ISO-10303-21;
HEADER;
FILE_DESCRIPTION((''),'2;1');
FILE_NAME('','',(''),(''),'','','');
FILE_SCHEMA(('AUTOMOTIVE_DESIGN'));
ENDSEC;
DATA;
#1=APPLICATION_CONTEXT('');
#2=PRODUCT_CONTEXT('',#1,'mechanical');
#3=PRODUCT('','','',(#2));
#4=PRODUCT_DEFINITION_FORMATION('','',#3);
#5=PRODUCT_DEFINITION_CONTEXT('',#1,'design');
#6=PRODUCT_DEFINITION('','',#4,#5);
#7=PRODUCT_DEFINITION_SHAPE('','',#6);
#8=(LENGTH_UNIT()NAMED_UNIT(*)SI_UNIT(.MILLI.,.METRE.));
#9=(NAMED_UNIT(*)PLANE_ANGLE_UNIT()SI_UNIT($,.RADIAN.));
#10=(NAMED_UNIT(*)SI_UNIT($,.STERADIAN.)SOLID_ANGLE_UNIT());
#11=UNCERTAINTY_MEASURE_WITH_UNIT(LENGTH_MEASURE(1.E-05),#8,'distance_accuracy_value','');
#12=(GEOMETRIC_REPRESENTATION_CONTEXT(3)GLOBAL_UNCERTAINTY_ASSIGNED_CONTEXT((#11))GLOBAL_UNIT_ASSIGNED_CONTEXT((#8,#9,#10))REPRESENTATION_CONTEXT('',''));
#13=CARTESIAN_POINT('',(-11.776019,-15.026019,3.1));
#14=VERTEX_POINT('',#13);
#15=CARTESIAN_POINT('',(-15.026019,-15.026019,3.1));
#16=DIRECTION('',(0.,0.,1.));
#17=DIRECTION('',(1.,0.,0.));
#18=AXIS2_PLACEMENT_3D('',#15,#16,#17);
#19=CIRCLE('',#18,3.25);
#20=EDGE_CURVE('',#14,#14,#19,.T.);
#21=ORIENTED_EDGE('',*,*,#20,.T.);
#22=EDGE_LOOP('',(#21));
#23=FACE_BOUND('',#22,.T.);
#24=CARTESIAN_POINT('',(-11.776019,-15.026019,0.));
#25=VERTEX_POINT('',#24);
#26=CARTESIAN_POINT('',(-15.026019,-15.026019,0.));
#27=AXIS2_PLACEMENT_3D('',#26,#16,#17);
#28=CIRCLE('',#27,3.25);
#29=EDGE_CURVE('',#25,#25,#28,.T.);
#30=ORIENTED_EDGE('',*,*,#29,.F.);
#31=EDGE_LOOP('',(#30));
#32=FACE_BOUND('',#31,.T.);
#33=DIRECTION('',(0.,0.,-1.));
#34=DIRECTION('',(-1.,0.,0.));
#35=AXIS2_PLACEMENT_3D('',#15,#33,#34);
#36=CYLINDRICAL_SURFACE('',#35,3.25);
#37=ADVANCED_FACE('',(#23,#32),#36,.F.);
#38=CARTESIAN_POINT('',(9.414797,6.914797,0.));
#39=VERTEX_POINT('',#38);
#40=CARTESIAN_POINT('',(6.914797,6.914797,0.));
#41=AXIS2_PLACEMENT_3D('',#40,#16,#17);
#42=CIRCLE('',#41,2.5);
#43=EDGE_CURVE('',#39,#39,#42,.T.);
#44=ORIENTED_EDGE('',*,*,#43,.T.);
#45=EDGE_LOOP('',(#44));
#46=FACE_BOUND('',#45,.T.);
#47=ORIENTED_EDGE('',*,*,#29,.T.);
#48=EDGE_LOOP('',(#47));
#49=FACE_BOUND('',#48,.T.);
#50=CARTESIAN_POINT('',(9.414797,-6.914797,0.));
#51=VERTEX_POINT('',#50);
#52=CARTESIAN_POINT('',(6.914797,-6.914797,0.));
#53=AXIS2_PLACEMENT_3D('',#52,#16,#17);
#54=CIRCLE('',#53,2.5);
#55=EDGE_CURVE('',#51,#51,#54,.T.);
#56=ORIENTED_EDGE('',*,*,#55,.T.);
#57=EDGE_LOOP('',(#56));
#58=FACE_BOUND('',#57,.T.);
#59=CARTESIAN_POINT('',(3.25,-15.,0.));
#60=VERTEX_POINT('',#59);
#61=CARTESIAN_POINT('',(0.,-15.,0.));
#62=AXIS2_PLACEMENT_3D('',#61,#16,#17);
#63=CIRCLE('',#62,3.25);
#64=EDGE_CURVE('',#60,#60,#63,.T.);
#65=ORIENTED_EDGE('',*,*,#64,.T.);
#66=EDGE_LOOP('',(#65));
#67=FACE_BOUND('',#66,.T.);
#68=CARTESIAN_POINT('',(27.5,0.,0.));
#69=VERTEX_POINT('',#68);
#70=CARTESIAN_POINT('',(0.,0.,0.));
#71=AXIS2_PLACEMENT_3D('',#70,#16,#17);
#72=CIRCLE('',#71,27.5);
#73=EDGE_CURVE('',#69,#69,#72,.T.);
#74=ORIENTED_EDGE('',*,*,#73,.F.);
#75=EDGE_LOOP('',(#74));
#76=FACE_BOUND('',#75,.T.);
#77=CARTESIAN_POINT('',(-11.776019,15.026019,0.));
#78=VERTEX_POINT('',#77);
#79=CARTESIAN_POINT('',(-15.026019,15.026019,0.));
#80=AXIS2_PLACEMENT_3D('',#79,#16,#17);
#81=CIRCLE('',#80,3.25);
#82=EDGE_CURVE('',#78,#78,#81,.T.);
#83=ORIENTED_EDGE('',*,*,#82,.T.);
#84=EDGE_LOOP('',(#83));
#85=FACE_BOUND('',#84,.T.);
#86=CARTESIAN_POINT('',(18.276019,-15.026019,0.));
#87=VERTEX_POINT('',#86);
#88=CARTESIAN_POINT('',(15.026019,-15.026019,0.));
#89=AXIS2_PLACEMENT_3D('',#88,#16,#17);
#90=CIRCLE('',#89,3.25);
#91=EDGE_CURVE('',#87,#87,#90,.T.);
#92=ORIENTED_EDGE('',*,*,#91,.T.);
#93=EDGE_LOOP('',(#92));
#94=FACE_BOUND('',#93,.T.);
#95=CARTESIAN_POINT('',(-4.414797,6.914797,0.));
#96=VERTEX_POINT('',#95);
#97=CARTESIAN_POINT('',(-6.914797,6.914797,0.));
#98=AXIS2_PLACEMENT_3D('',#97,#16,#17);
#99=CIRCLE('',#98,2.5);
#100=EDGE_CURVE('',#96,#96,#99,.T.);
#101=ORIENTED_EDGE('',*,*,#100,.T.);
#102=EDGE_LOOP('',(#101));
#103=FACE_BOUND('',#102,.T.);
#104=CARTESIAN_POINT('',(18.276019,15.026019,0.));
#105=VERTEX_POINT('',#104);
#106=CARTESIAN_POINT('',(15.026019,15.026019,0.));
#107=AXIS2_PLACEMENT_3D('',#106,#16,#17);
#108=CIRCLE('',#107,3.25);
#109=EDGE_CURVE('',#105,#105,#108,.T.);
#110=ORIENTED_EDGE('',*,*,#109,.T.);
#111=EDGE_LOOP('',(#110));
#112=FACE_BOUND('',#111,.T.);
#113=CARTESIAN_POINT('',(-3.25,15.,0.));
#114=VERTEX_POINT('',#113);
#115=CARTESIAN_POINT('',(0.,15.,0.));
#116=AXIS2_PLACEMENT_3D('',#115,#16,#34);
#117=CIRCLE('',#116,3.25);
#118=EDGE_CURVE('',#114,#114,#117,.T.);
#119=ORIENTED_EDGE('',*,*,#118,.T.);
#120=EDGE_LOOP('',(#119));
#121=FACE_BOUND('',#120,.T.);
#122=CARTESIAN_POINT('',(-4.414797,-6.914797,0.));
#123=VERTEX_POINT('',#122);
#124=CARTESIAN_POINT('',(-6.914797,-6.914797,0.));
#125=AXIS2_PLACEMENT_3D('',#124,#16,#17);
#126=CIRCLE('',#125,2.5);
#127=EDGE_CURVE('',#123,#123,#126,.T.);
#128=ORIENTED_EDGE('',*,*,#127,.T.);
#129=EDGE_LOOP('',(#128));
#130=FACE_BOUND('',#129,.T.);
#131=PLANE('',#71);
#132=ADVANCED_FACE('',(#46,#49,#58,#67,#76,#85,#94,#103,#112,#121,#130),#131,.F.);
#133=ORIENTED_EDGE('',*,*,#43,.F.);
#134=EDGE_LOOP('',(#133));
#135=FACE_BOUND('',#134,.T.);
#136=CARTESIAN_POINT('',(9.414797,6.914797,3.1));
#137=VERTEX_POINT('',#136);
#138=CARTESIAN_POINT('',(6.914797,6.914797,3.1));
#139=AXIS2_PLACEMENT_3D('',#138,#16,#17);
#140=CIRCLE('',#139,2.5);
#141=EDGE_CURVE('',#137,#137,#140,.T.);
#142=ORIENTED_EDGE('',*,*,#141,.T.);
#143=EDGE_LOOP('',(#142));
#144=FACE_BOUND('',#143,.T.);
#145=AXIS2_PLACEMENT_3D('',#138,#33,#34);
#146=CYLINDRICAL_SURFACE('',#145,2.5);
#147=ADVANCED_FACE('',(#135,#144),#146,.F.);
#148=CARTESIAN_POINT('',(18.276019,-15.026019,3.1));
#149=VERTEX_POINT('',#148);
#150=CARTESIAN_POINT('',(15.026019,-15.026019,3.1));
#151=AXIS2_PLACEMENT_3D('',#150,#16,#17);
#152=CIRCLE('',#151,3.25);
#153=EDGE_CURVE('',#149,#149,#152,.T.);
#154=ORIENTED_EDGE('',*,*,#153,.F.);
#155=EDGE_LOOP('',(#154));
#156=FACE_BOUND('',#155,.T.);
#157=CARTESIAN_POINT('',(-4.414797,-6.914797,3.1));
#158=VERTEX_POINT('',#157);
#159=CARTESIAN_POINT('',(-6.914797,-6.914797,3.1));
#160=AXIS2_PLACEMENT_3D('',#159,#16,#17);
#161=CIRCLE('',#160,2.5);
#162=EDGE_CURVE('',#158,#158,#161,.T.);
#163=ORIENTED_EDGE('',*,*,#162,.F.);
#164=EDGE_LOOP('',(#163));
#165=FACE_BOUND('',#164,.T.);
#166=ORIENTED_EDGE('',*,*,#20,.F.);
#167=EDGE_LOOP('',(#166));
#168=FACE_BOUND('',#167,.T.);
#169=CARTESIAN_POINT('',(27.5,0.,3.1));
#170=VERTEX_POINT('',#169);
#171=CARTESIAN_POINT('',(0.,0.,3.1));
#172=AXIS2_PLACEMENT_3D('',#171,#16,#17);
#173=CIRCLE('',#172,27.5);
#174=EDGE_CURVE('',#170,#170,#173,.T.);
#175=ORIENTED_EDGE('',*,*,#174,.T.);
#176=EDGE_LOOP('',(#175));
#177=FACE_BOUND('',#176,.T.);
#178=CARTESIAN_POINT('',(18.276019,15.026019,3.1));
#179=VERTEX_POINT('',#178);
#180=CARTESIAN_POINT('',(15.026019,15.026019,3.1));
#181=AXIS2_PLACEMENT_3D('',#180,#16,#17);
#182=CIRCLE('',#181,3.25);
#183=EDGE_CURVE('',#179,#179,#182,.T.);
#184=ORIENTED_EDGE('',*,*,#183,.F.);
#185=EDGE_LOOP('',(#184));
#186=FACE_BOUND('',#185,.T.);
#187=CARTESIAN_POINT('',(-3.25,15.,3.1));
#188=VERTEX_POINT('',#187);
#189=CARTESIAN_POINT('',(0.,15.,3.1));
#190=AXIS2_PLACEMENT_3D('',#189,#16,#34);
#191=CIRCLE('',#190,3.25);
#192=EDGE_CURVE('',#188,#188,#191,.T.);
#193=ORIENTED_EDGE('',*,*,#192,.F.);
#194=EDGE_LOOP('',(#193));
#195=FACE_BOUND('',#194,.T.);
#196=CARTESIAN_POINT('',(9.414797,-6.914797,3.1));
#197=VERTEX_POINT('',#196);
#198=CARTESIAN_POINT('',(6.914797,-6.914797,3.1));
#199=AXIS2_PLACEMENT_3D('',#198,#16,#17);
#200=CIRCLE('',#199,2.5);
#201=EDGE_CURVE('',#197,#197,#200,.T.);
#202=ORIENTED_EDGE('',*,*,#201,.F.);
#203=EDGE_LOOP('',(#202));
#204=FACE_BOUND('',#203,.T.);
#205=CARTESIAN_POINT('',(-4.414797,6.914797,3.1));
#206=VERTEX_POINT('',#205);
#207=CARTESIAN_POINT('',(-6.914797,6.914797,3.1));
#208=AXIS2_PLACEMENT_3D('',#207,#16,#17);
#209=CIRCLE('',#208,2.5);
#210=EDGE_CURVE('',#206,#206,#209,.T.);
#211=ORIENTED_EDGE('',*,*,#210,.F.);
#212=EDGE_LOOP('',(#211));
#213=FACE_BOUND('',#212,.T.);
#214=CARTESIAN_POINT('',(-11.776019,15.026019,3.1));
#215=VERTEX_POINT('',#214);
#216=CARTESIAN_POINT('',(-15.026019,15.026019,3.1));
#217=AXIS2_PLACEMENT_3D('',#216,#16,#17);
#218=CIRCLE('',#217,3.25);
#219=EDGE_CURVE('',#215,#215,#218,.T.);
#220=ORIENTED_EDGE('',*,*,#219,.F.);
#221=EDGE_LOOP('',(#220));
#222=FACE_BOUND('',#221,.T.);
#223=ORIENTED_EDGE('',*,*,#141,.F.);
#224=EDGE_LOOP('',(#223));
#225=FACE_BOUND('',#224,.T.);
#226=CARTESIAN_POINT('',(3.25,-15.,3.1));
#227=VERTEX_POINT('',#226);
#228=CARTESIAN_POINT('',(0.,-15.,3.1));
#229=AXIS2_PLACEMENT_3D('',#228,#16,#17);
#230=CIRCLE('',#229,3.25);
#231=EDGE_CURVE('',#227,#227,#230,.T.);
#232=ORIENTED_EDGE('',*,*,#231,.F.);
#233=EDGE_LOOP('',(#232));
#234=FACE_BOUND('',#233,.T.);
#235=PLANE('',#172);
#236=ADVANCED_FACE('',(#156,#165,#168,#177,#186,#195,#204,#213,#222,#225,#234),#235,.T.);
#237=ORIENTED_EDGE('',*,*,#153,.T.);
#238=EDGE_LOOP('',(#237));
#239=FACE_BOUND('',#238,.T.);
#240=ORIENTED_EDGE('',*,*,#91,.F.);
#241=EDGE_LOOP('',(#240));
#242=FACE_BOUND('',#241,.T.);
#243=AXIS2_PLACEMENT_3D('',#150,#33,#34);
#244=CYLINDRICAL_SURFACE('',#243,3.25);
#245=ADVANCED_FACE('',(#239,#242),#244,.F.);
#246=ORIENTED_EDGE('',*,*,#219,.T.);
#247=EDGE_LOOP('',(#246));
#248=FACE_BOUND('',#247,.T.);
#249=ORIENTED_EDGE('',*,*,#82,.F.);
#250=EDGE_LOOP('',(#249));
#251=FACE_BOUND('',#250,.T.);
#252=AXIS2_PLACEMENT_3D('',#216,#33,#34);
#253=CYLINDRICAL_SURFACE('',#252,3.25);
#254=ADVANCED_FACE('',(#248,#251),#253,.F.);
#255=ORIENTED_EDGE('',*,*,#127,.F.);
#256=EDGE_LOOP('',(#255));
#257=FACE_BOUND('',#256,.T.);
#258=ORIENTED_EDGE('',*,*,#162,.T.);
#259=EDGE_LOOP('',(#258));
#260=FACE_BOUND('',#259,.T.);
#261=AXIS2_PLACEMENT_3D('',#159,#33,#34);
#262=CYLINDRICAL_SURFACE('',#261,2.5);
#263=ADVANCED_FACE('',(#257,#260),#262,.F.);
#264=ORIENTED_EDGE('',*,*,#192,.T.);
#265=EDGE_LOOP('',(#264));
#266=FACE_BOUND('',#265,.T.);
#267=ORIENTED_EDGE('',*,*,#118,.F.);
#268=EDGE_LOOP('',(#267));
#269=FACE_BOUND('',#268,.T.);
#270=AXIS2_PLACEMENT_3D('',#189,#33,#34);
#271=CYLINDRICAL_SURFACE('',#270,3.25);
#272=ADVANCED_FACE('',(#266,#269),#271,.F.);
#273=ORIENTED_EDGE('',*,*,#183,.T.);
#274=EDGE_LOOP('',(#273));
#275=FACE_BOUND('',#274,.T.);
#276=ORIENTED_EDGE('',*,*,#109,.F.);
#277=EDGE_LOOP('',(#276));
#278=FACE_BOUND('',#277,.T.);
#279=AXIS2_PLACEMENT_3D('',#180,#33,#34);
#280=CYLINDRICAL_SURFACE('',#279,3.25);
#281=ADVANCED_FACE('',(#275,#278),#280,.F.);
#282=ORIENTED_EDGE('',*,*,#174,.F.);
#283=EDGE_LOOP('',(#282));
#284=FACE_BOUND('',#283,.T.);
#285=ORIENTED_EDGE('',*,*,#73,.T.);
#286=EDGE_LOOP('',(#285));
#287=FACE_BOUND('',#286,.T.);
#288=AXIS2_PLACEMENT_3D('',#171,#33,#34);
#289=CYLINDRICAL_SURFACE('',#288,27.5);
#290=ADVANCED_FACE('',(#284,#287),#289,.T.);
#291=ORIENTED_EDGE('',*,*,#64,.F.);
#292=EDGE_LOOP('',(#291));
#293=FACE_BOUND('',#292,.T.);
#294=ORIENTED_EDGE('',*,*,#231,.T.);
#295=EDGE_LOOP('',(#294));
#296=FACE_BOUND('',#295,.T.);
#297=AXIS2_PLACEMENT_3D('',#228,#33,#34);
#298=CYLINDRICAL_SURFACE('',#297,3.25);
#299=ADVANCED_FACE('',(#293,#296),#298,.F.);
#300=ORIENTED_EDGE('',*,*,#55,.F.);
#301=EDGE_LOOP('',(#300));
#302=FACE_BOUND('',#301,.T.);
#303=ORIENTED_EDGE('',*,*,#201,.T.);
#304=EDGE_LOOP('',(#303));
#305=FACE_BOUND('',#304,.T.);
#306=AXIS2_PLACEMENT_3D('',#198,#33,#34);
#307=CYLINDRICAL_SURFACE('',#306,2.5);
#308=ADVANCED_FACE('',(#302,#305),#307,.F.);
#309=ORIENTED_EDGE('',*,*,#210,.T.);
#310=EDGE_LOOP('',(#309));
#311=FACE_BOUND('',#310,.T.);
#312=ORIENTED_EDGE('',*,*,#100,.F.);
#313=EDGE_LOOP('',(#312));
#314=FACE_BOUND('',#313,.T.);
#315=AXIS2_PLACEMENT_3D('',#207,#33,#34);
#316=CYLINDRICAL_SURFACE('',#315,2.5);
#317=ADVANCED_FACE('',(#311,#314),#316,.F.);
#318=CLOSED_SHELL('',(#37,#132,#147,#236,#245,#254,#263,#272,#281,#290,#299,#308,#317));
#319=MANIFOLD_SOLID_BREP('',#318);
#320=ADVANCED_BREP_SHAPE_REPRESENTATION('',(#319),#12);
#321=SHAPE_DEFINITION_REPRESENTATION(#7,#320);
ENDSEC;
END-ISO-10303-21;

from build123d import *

# Parameters (mm, degrees)
SKETCH1_R           = 27.5
SKETCH1_R_2         = 2.5
SKETCH1_R_3         = 3.25
BOSS_EXTRUDE1_DEPTH = 3.1


with BuildPart() as part:
    # Sketch1 → Boss-Extrude1 (new body)
    with BuildSketch(Plane.XY):
        Circle(SKETCH1_R)
        with Locations((-6.914797213, 6.914797213)):
            Circle(SKETCH1_R_2, mode=Mode.SUBTRACT)
        with Locations((6.914797213, 6.914797213)):
            Circle(SKETCH1_R_2, mode=Mode.SUBTRACT)
        with Locations((6.914797213, -6.914797213)):
            Circle(SKETCH1_R_2, mode=Mode.SUBTRACT)
        with Locations((-6.914797213, -6.914797213)):
            Circle(SKETCH1_R_2, mode=Mode.SUBTRACT)
        with Locations((15.0260191, -15.0260191)):
            Circle(SKETCH1_R_3, mode=Mode.SUBTRACT)
        with Locations((-15.0260191, -15.0260191)):
            Circle(SKETCH1_R_3, mode=Mode.SUBTRACT)
        with Locations((-15.0260191, 15.0260191)):
            Circle(SKETCH1_R_3, mode=Mode.SUBTRACT)
        with Locations((15.0260191, 15.0260191)):
            Circle(SKETCH1_R_3, mode=Mode.SUBTRACT)
        with Locations((0, -15)):
            Circle(SKETCH1_R_3, mode=Mode.SUBTRACT)
        with Locations((0, 15)):
            Circle(SKETCH1_R_3, mode=Mode.SUBTRACT)
    extrude(amount=BOSS_EXTRUDE1_DEPTH)


solid = part.part
